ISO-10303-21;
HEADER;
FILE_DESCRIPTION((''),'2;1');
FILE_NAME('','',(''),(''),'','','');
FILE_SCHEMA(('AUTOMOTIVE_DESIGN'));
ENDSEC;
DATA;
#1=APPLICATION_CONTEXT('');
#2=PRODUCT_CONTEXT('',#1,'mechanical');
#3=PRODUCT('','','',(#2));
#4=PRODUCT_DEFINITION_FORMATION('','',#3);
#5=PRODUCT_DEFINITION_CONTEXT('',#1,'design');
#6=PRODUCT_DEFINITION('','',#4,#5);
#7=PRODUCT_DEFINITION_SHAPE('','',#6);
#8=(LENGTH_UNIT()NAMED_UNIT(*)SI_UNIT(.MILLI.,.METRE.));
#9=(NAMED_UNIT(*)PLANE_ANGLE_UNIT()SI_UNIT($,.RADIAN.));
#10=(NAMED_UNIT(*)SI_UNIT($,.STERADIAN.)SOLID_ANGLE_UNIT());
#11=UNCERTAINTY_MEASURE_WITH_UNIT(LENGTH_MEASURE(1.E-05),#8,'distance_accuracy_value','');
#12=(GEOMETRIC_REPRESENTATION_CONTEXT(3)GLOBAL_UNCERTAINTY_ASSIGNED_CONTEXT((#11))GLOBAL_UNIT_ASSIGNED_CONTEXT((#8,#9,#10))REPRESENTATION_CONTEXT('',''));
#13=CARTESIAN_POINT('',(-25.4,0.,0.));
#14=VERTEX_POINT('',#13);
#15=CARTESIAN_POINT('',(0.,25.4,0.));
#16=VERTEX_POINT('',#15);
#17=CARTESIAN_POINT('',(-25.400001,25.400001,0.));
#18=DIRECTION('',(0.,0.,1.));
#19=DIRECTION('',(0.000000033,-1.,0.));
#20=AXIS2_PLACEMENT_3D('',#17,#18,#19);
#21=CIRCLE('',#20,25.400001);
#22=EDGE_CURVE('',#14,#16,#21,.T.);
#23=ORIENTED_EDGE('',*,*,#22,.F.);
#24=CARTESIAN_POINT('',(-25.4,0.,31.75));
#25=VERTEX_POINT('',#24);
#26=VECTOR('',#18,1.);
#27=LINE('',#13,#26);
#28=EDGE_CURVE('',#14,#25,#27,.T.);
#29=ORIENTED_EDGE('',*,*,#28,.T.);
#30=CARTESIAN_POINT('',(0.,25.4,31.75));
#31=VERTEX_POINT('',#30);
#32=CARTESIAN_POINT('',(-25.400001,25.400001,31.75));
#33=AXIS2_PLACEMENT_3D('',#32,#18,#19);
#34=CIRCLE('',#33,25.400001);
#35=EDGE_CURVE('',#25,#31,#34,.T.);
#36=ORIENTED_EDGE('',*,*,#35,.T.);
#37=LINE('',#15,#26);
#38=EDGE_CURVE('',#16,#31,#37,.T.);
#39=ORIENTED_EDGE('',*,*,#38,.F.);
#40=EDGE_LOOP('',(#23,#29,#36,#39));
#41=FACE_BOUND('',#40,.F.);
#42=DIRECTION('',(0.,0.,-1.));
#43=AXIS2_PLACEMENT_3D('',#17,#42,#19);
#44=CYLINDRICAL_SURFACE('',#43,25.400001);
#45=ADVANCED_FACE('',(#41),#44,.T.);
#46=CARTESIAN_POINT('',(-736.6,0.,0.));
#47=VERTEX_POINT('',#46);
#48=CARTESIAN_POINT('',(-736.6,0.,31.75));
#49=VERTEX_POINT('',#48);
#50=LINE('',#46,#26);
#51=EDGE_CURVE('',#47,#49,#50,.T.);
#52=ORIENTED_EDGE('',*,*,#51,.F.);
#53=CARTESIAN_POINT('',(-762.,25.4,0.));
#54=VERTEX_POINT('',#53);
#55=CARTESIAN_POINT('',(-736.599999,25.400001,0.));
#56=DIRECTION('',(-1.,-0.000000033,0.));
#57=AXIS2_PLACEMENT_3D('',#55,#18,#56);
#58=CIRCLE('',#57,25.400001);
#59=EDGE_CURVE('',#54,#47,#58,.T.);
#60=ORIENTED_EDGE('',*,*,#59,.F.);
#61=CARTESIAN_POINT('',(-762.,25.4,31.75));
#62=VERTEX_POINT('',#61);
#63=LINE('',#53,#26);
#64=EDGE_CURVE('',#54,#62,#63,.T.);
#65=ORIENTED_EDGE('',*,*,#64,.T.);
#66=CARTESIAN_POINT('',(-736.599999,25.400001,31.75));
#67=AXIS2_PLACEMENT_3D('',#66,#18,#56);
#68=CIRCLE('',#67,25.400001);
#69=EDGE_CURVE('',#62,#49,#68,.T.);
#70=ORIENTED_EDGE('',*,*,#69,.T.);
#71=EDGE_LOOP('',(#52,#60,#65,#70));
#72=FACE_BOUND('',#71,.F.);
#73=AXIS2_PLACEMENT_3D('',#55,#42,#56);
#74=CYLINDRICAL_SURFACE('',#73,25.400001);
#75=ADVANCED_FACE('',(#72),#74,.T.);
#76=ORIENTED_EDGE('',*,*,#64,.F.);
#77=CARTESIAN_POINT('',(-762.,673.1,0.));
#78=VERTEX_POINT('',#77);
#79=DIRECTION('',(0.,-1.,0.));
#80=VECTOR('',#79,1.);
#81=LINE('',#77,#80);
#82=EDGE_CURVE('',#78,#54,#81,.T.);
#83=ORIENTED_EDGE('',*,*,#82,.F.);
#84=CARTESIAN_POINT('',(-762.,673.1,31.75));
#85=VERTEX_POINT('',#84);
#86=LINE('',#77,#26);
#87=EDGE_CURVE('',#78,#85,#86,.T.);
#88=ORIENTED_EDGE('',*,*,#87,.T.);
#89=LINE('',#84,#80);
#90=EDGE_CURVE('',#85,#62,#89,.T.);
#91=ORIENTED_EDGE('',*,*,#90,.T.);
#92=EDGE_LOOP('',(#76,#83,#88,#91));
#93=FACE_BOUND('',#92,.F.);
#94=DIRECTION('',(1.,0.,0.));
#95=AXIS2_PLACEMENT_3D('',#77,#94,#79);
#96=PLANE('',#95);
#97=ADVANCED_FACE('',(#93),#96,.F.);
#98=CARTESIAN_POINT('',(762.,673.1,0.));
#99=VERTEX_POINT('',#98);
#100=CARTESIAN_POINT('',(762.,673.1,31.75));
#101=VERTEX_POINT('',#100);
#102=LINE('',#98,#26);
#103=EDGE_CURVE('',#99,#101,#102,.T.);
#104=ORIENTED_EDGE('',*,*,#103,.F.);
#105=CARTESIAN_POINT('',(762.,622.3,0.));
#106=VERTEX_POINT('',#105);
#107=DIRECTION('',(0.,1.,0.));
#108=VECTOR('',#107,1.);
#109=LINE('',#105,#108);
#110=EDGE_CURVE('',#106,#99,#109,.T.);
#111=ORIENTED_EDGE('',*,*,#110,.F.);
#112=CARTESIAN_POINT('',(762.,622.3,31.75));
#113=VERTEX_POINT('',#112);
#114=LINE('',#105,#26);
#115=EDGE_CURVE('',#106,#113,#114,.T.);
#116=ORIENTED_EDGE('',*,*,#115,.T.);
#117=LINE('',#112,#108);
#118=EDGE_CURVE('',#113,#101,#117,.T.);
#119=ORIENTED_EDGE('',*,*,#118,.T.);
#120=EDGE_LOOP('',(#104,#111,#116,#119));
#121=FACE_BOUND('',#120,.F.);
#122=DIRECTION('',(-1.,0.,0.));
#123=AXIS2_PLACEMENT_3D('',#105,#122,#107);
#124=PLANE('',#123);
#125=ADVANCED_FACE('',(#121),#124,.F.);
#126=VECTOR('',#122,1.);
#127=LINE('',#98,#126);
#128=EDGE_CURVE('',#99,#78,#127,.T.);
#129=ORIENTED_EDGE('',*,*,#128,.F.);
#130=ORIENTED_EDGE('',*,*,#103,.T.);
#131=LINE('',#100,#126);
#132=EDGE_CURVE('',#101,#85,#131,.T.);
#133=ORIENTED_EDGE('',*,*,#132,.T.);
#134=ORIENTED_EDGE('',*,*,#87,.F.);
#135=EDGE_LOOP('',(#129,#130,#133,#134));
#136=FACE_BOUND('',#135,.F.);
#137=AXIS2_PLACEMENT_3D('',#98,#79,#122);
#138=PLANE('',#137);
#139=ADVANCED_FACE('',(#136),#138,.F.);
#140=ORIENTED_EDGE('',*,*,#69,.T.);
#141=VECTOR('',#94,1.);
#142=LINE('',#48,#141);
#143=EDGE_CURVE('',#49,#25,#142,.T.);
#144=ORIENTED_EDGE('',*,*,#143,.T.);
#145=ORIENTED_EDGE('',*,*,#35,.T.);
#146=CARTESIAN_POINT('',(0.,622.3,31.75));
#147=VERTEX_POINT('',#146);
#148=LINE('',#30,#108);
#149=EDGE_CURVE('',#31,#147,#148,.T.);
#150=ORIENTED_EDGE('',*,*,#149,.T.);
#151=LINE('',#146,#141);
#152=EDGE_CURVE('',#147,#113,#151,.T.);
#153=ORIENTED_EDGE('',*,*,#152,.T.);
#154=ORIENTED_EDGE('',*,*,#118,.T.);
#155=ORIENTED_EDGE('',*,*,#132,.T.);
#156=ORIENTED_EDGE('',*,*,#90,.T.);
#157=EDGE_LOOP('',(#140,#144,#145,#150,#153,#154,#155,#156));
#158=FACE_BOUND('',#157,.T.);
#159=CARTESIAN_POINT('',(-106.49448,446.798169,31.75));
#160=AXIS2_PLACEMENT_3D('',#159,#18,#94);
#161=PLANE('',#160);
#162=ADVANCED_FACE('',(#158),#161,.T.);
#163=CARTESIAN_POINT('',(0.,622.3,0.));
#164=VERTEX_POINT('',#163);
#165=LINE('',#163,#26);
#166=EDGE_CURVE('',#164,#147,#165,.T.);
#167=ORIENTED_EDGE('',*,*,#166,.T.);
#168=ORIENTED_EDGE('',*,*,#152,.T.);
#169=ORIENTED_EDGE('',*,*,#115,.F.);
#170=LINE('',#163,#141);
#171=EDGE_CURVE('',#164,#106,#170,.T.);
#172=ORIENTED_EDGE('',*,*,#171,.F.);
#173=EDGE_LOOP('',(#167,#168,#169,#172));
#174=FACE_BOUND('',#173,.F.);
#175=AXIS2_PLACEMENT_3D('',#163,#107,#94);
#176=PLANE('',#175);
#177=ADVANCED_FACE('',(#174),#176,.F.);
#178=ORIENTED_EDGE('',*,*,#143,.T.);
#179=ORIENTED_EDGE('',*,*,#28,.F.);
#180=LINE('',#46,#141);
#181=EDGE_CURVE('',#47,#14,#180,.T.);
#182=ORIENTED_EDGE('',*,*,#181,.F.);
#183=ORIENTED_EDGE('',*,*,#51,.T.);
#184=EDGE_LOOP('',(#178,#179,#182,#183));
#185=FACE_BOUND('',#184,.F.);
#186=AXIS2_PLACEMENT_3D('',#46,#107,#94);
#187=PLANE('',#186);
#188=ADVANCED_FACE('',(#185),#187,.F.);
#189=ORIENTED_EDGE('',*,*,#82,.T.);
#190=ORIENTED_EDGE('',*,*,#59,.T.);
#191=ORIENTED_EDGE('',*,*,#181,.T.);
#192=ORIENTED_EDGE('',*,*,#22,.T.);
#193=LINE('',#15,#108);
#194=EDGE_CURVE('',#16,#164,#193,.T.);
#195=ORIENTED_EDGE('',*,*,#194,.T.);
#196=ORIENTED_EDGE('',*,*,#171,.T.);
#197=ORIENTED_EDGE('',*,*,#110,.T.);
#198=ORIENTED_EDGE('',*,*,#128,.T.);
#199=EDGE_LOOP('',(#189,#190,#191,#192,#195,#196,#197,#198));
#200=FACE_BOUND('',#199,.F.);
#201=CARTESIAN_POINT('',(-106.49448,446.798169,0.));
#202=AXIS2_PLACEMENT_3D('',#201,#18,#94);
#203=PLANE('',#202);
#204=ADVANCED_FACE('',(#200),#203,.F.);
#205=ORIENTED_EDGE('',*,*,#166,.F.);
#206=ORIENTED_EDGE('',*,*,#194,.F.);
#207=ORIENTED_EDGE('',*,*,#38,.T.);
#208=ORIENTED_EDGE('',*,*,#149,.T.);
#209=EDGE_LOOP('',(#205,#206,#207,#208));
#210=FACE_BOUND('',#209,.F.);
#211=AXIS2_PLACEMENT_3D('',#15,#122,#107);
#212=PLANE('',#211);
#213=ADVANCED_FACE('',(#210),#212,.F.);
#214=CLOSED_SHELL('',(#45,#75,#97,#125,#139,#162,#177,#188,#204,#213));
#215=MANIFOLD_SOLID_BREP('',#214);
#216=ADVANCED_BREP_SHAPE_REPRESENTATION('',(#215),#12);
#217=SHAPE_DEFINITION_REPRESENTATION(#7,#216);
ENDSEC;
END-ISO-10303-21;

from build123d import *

# Parameters (mm, degrees)
F1_DEPTH = 31.75


with BuildPart() as f1:
    # F0 (on Top) → F1 (new body)
    with BuildSketch(Plane.XY):
        with BuildLine():
            Line((-736.6, 0), (-25.4, 0))
            ThreePointArc((-25.4, 0), (-7.439488, 7.439488), (0, 25.4))
            Line((0, 25.4), (0, 622.3))
            Line((0, 622.3), (762, 622.3))
            Line((762, 622.3), (762, 673.1))
            Line((762, 673.1), (-762, 673.1))
            Line((-762, 673.1), (-762, 25.4))
            ThreePointArc((-762, 25.4), (-754.560512, 7.439488), (-736.6, 0))
        make_face()
    extrude(amount=F1_DEPTH)


solid = f1.part
